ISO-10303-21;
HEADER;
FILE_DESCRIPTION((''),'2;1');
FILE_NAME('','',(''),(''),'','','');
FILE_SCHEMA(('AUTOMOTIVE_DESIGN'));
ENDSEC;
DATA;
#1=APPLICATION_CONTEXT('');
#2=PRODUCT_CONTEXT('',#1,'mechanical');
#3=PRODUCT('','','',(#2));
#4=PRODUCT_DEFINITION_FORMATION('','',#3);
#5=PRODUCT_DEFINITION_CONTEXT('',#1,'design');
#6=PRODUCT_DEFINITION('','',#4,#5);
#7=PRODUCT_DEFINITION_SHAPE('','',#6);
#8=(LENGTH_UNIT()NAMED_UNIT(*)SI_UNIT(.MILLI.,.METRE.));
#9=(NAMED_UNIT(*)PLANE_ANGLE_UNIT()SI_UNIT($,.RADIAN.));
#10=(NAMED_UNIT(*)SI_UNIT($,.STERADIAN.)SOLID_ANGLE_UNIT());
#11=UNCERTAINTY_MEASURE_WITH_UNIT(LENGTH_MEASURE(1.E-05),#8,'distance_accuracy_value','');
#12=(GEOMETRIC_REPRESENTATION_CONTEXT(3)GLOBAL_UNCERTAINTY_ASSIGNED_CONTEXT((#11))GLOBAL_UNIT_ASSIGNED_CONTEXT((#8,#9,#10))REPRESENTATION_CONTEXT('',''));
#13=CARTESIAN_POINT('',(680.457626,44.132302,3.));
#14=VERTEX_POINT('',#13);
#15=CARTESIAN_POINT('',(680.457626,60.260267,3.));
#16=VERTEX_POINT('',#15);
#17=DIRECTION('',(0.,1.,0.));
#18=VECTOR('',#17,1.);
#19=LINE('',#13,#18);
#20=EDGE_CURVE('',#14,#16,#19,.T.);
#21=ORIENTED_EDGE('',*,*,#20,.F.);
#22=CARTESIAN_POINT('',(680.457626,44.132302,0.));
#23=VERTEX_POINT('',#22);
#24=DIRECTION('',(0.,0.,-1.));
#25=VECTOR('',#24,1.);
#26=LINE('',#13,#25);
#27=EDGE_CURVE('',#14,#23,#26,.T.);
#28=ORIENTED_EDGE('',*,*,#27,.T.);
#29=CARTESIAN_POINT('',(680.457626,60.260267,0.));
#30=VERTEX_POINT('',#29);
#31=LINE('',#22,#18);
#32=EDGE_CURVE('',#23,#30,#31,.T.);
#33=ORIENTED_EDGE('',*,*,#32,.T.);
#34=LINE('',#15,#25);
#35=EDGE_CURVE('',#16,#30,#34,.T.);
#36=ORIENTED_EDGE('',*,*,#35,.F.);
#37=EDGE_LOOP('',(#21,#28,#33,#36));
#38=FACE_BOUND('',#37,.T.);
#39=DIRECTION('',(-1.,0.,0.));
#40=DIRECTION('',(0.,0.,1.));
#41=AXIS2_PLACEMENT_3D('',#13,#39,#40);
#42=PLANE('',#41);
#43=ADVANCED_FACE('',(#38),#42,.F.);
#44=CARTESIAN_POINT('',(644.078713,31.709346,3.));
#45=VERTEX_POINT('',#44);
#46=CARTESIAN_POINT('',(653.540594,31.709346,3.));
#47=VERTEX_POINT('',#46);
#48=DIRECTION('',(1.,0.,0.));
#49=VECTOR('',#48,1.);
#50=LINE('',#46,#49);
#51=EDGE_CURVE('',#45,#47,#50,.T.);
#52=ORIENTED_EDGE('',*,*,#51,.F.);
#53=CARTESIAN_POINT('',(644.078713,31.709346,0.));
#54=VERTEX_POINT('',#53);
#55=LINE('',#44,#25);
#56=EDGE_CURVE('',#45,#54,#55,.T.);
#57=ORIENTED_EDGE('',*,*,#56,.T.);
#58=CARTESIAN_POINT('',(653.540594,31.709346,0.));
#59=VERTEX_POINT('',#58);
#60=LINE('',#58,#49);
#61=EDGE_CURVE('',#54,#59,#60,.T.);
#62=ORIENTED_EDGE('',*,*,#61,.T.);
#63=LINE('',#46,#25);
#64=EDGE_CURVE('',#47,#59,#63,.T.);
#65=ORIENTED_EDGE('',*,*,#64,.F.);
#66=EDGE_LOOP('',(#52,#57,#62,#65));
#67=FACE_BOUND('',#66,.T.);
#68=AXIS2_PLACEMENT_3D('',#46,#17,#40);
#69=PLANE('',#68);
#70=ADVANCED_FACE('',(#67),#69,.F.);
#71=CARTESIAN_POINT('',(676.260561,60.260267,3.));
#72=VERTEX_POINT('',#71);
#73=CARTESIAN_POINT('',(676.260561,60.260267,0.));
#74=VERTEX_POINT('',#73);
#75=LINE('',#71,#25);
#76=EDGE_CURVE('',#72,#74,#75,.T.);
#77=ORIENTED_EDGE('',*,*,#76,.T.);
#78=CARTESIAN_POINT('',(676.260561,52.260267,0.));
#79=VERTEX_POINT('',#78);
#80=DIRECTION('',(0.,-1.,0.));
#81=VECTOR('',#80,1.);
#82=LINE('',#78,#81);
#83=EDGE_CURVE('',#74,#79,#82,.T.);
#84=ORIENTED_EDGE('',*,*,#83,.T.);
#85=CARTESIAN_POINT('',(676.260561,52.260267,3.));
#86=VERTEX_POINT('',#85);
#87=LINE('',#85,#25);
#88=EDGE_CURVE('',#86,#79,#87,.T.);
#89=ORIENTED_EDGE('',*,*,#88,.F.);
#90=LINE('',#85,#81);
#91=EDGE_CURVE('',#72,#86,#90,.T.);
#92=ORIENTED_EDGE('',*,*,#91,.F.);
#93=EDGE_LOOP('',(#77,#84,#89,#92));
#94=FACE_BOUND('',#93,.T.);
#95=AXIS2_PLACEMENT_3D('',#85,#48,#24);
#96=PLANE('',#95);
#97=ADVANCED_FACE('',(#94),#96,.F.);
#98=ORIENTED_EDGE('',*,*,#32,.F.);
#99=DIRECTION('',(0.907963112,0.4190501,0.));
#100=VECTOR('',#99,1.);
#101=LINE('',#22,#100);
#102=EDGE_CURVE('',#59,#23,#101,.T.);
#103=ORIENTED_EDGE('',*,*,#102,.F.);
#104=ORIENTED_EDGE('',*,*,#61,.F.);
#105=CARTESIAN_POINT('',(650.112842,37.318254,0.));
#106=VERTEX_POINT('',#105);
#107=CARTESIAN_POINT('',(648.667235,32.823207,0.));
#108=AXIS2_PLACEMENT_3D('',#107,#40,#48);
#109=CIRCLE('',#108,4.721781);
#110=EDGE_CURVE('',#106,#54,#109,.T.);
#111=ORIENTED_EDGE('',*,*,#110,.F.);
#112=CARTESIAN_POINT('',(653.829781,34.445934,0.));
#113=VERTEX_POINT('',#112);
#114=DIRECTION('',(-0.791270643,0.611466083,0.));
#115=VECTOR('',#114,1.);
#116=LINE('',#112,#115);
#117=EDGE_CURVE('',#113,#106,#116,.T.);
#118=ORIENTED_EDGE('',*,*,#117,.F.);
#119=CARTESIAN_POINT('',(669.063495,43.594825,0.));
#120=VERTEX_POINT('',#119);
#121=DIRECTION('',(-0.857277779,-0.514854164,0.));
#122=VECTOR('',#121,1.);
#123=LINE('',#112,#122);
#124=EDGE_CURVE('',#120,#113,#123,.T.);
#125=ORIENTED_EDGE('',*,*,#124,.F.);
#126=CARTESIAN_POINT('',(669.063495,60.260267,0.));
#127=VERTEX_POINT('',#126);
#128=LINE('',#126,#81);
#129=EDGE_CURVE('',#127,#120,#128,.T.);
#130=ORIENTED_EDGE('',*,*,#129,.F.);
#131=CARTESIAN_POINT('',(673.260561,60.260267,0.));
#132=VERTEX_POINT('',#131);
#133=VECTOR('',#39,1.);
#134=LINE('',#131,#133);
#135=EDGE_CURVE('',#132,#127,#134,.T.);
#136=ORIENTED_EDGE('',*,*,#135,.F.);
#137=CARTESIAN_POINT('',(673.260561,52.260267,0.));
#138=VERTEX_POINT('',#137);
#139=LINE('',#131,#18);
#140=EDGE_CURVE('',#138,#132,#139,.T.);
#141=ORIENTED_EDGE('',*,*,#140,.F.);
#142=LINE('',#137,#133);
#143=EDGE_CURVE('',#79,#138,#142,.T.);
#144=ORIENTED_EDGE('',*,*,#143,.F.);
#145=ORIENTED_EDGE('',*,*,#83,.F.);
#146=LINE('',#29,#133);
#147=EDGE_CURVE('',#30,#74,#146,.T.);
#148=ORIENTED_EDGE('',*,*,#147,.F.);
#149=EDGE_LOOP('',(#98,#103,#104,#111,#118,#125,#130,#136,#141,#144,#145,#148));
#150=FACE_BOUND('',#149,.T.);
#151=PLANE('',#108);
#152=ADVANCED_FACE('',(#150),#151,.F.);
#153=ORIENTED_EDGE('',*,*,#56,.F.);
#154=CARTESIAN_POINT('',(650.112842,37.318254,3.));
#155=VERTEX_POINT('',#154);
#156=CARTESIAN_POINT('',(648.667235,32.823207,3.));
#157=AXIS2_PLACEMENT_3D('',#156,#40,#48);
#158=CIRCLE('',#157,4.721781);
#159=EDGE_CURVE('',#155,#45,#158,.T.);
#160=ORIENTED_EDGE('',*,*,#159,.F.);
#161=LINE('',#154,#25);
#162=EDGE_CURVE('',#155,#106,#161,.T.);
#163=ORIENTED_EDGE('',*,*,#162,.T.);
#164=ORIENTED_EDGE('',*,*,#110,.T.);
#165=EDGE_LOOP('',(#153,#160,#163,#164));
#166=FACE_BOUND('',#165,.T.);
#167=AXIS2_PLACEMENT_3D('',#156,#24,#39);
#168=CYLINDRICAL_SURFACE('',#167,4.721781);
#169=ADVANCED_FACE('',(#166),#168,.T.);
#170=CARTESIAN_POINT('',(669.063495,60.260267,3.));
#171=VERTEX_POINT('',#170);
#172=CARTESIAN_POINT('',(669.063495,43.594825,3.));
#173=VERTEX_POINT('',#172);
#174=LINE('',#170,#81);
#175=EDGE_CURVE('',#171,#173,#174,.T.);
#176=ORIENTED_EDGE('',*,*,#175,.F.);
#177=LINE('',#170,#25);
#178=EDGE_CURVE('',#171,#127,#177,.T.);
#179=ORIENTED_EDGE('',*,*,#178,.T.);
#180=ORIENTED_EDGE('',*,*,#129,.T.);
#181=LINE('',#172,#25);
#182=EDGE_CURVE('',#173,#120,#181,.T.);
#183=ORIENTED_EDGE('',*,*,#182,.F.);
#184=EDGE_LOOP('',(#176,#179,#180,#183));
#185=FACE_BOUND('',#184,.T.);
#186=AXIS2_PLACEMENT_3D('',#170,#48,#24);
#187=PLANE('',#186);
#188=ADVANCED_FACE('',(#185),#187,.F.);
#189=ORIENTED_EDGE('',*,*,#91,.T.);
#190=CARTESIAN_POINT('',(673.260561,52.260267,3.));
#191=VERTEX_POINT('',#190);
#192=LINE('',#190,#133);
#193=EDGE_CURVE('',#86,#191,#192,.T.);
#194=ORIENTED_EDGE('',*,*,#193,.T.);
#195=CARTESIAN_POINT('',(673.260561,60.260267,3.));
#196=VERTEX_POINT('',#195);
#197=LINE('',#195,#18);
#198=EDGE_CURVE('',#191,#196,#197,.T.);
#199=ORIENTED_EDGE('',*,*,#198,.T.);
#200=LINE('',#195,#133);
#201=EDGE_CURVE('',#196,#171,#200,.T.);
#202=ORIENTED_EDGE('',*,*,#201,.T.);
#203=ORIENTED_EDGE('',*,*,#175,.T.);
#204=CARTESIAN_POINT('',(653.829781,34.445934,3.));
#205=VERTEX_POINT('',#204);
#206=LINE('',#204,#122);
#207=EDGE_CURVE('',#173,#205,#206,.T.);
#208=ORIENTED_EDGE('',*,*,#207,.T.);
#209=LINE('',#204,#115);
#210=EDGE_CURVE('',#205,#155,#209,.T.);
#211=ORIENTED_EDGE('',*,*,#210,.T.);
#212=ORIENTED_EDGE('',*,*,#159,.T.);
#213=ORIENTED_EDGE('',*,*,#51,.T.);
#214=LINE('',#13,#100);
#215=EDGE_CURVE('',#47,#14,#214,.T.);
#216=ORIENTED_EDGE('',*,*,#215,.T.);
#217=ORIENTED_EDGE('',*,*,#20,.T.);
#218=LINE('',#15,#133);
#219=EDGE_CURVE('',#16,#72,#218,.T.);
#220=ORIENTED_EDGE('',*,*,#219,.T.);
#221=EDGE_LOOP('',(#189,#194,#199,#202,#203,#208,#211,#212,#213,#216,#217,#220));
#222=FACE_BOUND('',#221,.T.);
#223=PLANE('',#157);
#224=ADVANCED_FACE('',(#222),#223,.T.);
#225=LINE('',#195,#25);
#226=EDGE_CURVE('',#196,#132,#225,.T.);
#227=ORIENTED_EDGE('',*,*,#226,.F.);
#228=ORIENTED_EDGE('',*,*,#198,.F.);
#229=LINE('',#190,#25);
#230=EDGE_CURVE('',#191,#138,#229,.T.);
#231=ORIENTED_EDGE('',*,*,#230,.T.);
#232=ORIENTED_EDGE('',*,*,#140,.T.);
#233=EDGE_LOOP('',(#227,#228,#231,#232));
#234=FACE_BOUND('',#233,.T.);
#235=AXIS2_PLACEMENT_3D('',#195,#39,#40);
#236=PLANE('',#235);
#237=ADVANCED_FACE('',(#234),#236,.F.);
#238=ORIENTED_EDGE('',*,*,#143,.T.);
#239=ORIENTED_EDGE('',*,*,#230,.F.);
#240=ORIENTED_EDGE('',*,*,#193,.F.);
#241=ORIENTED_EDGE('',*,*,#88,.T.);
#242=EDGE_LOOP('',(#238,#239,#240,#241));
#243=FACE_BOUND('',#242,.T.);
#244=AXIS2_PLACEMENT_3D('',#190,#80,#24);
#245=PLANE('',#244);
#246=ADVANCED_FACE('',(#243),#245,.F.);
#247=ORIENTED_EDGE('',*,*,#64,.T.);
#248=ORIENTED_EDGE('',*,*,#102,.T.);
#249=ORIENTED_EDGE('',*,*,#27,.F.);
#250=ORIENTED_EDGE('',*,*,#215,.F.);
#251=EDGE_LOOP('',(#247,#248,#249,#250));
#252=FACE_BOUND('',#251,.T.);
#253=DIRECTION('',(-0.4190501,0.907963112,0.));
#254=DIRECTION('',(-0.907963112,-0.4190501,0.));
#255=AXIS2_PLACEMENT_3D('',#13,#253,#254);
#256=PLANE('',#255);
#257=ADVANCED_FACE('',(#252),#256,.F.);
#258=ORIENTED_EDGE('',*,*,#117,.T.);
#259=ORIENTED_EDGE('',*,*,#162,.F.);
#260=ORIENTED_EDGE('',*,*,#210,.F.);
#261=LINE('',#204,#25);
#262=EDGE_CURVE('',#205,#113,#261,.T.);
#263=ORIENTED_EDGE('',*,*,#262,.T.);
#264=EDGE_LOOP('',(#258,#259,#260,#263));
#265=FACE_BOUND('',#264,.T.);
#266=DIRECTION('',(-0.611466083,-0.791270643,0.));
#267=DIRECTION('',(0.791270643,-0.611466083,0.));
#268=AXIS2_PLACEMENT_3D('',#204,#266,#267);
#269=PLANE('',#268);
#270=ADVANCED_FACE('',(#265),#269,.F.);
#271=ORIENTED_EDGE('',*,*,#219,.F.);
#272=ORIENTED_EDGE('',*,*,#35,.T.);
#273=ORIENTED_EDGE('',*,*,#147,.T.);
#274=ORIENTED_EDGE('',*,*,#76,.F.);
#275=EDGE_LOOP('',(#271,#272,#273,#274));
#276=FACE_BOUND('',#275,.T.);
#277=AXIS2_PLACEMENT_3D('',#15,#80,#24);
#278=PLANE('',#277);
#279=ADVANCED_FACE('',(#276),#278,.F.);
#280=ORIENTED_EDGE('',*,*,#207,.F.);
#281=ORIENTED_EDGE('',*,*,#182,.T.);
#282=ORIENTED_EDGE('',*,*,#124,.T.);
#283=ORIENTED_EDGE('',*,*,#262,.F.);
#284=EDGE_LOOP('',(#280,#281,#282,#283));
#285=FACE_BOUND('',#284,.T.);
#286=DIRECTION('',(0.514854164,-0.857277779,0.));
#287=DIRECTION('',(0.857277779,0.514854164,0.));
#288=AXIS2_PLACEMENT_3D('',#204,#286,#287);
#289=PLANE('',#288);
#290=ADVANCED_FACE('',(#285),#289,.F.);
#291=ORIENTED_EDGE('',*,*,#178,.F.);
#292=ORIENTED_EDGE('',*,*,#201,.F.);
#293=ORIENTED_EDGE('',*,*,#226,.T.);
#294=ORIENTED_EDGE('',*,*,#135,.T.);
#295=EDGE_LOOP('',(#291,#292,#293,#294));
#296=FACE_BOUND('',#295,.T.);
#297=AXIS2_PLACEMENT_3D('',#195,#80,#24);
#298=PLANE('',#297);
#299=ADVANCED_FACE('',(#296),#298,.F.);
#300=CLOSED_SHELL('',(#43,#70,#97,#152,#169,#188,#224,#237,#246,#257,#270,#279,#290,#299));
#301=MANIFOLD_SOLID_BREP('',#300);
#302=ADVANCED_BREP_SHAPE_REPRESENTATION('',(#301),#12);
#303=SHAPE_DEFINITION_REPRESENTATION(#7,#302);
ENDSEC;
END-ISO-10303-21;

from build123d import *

# Parameters (mm, degrees)
BASE_EXTRUDE_DEPTH = 3


with BuildPart() as part:
    # Sketch1 → Base-Extrude (new body)
    with BuildSketch(Plane.XY):
        with BuildLine():
            Line((680.457626037, 60.260266596), (676.26056061, 60.260266596))
            Line((676.26056061, 60.260266596), (676.26056061, 52.260266596))
            Line((676.26056061, 52.260266596), (673.26056061, 52.260266596))
            Line((673.26056061, 52.260266596), (673.26056061, 60.260266596))
            Line((673.26056061, 60.260266596), (669.063495183, 60.260266596))
            Line((669.063495183, 60.260266596), (669.063495183, 43.594825241))
            Line((669.063495183, 43.594825241), (653.829781186, 34.445934083))
            Line((653.829781186, 34.445934083), (650.112842273, 37.318253557))
            ThreePointArc((650.112842273, 37.318253557), (645.45251291, 36.281643741), (644.078713053, 31.709346327))
            Line((644.078713053, 31.709346327), (653.540593645, 31.709346327))
            Line((653.540593645, 31.709346327), (680.457626037, 44.132301579))
            Line((680.457626037, 44.132301579), (680.457626037, 60.260266596))
        make_face()
    extrude(amount=BASE_EXTRUDE_DEPTH)


solid = part.part
